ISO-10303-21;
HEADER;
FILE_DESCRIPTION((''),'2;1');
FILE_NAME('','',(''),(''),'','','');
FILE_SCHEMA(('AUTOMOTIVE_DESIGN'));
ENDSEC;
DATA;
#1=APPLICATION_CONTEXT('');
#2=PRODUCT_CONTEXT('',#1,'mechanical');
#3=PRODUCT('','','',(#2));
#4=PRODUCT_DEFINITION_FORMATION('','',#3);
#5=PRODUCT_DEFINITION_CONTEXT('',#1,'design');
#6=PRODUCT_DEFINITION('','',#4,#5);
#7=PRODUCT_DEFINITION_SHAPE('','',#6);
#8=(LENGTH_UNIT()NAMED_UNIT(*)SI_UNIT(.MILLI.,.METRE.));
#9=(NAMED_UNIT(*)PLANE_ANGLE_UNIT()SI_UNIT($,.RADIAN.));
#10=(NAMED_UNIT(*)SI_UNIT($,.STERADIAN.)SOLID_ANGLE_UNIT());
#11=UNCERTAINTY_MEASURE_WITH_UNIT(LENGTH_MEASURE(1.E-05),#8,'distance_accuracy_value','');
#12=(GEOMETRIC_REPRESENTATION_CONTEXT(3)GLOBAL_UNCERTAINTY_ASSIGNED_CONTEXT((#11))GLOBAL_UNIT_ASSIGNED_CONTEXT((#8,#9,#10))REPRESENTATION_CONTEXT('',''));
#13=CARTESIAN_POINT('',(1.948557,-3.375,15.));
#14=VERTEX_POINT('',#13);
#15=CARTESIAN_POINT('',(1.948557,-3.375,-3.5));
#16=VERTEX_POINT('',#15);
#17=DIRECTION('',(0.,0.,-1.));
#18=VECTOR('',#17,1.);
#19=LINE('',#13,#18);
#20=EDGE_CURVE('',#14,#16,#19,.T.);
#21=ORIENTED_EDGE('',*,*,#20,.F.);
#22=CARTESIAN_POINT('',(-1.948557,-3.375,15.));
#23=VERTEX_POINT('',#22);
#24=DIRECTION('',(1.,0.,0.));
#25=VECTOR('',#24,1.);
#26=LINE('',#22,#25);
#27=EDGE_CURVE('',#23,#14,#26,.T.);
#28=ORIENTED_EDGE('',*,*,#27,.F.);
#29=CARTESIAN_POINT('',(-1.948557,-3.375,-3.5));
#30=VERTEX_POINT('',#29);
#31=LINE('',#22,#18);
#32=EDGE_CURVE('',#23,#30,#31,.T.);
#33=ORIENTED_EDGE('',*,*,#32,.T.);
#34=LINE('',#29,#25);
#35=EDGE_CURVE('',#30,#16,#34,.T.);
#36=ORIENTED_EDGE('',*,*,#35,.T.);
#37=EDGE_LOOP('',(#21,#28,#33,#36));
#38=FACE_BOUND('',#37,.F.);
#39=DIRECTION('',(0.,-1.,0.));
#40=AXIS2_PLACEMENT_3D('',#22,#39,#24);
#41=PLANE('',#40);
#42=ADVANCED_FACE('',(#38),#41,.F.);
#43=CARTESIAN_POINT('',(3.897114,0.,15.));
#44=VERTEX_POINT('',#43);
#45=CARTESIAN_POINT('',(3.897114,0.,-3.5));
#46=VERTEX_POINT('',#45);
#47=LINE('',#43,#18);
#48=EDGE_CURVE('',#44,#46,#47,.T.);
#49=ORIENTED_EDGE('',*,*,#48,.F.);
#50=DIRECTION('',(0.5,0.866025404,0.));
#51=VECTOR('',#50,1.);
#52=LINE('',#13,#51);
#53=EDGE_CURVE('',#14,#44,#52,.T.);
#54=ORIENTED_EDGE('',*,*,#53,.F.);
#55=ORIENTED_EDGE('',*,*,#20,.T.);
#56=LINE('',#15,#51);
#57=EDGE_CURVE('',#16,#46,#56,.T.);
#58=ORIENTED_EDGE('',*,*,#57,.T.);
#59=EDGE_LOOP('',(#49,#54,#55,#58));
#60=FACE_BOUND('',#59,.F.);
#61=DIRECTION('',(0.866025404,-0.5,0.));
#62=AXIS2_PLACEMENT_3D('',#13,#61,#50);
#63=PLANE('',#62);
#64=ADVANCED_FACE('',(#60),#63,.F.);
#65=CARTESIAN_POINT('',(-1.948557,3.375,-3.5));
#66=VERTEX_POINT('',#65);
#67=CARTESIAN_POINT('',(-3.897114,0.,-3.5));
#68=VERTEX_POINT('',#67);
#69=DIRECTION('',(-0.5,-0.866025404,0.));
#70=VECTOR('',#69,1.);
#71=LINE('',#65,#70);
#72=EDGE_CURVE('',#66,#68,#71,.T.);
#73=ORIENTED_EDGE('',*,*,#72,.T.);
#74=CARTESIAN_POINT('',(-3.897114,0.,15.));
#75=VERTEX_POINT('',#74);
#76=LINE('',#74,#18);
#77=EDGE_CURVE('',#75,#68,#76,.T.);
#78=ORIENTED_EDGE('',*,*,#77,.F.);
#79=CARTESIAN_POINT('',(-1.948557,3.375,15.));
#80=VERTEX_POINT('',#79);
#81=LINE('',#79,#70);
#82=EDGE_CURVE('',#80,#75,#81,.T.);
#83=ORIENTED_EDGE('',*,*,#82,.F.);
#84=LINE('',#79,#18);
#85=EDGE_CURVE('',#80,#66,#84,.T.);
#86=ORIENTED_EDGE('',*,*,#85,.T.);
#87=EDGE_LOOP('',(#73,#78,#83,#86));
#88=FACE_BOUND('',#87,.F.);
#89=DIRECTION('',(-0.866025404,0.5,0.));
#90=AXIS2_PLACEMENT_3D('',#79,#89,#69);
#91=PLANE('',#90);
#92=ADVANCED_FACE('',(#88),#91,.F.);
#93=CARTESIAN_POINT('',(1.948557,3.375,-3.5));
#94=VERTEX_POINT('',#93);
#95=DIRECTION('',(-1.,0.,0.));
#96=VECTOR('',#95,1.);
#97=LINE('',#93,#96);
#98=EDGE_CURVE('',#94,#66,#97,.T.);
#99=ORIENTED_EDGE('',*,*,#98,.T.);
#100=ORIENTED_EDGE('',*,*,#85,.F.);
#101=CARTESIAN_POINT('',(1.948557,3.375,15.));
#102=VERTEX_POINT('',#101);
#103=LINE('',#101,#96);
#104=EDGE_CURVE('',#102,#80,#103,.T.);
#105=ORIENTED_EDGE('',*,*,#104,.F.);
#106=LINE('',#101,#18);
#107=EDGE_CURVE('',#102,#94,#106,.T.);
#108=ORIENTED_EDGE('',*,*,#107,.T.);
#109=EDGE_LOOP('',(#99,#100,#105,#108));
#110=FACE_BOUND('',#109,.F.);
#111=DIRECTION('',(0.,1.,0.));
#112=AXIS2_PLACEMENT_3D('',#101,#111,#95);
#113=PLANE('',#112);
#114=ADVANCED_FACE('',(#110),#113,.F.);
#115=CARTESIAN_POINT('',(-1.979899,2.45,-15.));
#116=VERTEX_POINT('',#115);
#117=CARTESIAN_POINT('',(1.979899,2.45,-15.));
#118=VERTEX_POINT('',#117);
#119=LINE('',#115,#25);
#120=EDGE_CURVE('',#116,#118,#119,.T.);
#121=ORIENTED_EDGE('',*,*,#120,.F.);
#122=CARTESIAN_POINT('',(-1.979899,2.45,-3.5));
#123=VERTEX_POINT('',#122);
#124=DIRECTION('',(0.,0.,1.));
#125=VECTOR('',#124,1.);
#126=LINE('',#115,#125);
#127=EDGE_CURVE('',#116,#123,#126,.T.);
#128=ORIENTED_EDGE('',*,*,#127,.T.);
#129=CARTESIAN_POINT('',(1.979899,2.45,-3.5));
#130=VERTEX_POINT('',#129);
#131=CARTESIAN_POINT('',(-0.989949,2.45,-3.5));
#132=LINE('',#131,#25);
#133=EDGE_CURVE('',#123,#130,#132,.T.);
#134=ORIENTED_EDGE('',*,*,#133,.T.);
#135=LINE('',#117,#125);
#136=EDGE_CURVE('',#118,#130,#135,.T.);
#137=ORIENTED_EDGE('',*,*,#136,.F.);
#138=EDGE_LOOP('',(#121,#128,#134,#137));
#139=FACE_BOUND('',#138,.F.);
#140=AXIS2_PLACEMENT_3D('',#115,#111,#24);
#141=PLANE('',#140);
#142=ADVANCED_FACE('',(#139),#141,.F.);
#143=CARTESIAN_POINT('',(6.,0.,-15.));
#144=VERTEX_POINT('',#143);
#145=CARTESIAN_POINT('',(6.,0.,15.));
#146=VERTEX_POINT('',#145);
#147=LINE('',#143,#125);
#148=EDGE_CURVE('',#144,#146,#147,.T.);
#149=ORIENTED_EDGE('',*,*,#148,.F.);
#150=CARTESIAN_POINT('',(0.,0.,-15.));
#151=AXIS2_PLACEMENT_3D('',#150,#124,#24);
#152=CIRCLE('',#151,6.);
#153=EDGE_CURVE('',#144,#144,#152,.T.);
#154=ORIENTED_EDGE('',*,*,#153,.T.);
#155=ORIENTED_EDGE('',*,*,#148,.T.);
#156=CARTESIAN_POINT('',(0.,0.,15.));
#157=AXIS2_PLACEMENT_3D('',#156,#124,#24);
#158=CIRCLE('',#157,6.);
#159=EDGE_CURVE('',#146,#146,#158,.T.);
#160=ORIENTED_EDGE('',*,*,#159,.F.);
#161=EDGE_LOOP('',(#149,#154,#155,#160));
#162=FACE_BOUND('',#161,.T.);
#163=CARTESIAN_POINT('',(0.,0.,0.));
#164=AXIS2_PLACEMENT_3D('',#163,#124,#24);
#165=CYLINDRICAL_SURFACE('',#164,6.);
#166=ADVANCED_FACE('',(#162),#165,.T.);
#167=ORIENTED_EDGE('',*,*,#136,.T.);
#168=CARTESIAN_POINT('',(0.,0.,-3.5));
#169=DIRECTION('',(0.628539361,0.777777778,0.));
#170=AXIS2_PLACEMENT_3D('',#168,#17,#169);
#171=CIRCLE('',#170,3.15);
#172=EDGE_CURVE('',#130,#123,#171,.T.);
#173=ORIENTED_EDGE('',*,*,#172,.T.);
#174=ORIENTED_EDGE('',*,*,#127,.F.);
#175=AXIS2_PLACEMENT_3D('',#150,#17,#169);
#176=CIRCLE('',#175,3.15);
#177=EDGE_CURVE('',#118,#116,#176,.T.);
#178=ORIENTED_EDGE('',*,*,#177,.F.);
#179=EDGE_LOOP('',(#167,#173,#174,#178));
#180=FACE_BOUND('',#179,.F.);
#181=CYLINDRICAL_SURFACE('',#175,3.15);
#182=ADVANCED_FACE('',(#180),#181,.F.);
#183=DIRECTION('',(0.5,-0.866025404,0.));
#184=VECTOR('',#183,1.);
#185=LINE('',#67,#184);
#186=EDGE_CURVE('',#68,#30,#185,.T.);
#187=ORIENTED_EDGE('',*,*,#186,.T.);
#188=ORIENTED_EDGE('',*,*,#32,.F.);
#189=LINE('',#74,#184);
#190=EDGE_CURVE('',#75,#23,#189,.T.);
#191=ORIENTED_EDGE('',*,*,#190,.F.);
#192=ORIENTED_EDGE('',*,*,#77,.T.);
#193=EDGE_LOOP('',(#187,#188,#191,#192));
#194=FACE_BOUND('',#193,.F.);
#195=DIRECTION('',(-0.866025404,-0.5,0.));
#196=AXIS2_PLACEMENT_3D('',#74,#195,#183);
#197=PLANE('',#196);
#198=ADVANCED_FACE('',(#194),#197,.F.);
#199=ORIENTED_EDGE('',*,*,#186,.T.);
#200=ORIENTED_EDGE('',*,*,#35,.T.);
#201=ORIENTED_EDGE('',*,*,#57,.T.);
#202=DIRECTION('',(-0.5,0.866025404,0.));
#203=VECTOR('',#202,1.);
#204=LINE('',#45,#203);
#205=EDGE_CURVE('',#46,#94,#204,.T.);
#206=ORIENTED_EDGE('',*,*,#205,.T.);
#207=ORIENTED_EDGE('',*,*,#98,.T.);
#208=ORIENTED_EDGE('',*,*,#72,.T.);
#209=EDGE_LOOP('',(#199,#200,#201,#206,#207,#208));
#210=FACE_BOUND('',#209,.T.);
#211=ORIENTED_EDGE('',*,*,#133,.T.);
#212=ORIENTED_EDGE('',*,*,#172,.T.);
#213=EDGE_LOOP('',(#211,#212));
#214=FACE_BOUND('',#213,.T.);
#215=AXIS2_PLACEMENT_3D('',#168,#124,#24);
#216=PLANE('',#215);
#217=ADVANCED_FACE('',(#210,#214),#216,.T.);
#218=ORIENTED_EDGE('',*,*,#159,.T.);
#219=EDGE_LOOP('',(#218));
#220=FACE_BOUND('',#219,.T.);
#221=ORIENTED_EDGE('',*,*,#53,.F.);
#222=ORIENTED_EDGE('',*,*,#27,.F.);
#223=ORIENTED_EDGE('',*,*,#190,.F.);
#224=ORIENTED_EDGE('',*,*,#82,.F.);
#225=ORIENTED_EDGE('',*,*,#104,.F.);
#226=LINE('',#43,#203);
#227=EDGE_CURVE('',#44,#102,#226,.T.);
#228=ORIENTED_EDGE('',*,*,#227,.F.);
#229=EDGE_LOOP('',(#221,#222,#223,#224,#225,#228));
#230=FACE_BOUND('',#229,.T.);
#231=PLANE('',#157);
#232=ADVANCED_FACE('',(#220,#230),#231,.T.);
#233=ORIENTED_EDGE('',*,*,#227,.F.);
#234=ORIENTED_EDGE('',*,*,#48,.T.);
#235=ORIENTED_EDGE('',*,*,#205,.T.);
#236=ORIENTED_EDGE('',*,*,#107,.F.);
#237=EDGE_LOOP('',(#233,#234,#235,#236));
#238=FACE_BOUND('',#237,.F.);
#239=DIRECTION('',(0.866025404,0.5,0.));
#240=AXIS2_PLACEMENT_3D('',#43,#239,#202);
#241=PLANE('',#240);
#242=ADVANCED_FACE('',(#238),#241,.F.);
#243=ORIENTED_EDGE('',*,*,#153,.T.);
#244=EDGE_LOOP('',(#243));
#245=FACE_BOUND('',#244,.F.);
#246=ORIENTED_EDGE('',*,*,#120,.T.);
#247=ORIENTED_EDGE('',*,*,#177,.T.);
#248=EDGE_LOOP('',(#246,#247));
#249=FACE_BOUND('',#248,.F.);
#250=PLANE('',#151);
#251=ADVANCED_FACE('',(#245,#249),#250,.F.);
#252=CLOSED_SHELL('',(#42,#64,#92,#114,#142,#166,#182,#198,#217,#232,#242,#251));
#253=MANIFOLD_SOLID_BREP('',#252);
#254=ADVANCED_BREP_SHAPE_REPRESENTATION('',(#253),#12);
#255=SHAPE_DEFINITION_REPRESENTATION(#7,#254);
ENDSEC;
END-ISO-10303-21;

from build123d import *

# Parameters (mm, degrees)
F0_R     = 6
F1_DEPTH = 15
F3_DEPTH = 12
F5_DEPTH = 18.5


with BuildPart() as f1:
    # F0 (on Top) → F1 (new body, symmetric)
    with BuildSketch(Plane.XY):
        Circle(F0_R)
    extrude(amount=F1_DEPTH, both=True)

    # F2 (on face) → F3 (cut)
    with BuildSketch(Plane(origin=(0, 0, -15), x_dir=(1, 0, 0), z_dir=(0, 0, -1))):
        with BuildLine():
            Line((-1.9798989873, -2.45), (1.9798989873, -2.45))
            ThreePointArc((1.9798989873, -2.45), (0, 3.15), (-1.9798989873, -2.45))
        make_face()
    extrude(amount=-F3_DEPTH, mode=Mode.SUBTRACT)

    # F4 (on face) → F5 (cut)
    with BuildSketch(Plane.XY.offset(15)):
        Polygon((-1.9485571585, -3.375), (1.9485571585, -3.375), (3.897114317, 0), (1.9485571585, 3.375), (-1.9485571585, 3.375), (-3.897114317, 0), align=None)
    extrude(amount=-F5_DEPTH, mode=Mode.SUBTRACT)


solid = f1.part
